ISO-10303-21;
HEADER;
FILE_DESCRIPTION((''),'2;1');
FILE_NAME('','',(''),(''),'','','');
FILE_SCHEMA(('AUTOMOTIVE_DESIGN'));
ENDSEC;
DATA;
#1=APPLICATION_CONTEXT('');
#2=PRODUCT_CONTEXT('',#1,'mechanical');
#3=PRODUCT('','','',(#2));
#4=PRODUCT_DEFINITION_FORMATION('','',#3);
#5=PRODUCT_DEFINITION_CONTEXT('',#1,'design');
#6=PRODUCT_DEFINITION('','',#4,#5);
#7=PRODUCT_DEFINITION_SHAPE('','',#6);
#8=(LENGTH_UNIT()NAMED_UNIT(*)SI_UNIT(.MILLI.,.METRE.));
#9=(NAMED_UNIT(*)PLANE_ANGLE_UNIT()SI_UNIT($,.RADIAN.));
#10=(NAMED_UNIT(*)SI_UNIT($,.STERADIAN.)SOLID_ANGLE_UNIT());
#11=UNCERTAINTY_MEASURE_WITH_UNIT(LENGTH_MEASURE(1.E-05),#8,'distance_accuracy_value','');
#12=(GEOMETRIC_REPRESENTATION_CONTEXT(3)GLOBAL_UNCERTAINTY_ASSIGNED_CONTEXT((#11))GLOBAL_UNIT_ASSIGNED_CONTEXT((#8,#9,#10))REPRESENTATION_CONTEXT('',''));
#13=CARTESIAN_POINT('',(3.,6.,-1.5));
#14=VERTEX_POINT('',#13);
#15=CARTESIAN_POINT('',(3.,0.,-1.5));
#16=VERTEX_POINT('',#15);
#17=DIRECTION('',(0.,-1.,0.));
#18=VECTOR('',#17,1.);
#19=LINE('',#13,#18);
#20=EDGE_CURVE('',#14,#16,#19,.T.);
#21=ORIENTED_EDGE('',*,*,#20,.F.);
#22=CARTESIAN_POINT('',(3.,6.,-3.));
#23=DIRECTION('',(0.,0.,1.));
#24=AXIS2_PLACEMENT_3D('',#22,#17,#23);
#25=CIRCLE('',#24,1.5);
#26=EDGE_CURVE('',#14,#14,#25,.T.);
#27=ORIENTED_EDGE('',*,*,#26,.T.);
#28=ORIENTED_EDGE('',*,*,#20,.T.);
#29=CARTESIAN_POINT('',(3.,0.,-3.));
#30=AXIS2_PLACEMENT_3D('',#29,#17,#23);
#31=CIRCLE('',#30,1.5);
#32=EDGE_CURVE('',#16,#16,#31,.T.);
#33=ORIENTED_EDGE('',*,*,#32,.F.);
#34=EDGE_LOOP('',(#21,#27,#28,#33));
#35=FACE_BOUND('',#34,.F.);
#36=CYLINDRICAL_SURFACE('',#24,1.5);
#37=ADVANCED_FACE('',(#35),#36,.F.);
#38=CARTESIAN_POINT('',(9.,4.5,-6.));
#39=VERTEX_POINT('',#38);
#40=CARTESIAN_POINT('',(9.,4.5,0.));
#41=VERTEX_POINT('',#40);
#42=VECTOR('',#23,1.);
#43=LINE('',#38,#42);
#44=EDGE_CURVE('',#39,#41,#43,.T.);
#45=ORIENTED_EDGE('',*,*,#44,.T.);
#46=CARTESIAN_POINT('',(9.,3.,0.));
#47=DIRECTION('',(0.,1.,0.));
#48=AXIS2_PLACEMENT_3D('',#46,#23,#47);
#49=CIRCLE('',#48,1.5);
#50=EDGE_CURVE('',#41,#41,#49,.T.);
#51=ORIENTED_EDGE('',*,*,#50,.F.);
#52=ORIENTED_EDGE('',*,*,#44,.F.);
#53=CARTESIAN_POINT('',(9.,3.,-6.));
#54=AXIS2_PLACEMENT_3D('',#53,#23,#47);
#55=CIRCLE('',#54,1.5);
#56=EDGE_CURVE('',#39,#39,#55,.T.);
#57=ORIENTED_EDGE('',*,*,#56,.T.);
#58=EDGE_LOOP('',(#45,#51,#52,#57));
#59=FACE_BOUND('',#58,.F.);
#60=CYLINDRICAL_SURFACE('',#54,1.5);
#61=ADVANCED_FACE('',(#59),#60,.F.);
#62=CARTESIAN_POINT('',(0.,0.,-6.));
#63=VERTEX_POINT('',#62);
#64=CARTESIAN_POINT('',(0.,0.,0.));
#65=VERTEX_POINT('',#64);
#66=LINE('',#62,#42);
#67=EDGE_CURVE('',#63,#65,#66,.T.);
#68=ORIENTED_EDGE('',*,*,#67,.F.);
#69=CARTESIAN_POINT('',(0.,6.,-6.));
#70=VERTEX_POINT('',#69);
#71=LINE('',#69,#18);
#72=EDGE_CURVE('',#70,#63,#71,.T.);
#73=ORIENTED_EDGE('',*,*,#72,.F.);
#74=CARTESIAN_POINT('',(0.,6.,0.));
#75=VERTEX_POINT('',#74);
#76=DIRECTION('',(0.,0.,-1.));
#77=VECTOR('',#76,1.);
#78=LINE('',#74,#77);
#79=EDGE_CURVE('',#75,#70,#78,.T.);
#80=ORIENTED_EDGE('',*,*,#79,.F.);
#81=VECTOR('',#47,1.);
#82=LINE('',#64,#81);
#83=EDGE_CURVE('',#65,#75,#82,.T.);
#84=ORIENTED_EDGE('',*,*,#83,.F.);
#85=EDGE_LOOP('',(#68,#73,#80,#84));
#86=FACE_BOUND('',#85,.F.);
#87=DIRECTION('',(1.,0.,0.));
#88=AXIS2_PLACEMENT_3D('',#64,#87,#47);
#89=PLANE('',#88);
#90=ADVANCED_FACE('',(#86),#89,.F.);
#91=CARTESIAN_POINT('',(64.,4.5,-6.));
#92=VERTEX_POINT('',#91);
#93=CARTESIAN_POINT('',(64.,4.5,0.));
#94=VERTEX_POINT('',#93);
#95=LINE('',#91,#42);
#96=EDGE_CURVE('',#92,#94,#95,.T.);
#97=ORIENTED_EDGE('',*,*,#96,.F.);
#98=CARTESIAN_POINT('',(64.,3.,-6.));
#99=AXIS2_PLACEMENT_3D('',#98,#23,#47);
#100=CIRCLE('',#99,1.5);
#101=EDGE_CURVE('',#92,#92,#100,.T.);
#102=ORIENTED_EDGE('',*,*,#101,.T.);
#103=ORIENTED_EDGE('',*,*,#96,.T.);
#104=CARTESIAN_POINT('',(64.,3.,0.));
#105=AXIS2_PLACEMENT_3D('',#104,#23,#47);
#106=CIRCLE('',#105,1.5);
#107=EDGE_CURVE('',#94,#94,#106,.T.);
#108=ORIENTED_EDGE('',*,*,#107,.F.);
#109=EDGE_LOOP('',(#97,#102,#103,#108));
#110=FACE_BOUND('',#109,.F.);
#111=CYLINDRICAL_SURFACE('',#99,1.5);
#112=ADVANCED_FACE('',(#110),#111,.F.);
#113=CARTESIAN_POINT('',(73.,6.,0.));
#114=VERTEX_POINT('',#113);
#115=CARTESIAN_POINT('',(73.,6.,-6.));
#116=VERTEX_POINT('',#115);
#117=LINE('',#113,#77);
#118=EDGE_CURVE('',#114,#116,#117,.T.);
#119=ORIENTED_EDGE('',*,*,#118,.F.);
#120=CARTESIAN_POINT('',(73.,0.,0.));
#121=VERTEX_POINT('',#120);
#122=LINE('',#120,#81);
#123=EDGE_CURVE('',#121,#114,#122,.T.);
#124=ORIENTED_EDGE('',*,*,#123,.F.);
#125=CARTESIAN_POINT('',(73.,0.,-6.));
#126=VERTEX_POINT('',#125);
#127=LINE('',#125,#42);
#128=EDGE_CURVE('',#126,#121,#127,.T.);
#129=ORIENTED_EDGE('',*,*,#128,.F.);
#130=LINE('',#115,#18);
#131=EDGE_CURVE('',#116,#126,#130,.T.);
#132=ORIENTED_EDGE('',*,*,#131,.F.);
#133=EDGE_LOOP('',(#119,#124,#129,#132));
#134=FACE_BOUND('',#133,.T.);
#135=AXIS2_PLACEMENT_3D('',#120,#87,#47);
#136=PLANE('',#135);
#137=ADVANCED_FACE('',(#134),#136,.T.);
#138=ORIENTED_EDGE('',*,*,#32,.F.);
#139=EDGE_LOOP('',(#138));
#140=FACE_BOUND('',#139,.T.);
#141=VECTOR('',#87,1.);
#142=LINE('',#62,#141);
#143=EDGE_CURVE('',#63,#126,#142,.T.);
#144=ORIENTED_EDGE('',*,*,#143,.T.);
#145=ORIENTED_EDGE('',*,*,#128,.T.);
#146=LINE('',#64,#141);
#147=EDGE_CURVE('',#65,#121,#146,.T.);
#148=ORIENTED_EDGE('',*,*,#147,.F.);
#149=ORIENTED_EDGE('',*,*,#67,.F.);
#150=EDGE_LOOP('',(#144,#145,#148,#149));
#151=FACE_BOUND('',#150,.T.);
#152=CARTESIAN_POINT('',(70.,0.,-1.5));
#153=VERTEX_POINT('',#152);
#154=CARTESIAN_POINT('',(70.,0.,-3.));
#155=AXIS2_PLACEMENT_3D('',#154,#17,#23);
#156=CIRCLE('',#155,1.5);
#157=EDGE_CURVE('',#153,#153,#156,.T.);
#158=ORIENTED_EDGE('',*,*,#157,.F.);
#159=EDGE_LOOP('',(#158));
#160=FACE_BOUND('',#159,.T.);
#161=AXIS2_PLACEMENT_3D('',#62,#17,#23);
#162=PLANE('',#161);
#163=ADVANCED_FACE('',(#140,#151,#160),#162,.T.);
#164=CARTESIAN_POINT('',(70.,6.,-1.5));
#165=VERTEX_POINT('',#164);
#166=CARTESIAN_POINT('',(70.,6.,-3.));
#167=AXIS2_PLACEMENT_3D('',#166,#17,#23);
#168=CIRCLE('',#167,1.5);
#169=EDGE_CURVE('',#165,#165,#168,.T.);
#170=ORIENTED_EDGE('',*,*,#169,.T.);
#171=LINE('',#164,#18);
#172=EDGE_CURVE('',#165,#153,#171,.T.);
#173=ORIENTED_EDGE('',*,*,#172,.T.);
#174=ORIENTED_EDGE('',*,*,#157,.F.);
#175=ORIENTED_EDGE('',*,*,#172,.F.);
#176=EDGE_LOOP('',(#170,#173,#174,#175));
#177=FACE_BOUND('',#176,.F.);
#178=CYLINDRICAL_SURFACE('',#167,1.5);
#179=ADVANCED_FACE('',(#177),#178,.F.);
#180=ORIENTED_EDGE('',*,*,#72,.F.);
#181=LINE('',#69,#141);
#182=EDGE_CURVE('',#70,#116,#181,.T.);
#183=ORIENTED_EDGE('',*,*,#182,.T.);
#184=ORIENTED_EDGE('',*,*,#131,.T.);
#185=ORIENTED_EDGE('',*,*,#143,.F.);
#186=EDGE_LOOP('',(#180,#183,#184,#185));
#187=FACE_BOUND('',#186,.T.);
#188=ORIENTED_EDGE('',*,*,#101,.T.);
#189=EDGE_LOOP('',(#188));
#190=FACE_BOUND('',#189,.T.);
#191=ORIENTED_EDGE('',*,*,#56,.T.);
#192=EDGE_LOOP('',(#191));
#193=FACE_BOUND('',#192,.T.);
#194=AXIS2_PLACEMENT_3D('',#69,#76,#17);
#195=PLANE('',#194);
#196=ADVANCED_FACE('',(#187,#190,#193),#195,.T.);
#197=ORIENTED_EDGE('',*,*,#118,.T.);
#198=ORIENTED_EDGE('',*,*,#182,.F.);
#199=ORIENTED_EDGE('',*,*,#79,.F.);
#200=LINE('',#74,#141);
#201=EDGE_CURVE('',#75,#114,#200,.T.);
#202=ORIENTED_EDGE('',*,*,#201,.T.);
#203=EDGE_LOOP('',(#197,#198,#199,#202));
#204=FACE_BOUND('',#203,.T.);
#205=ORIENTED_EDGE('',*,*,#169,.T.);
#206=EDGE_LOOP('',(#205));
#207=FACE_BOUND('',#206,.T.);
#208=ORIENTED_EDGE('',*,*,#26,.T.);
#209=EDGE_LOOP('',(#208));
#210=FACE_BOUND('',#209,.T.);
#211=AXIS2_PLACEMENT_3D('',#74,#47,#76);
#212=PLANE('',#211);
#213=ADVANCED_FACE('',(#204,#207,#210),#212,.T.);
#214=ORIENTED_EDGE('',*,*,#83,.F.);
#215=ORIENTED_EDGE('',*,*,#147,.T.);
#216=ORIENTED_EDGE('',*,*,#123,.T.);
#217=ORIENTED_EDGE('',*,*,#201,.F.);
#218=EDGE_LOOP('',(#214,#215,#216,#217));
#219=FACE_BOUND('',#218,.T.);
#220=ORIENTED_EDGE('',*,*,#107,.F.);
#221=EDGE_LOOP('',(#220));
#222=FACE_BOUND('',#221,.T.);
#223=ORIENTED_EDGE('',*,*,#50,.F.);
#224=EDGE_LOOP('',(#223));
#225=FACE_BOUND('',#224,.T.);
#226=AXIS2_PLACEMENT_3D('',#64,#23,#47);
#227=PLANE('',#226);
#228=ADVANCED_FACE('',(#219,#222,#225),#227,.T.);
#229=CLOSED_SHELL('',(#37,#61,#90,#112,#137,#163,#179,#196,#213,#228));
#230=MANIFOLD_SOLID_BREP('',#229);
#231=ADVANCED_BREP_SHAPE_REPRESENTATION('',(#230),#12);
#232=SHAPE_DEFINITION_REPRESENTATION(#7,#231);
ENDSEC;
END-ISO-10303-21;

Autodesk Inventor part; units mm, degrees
ref_plane "YZ Plane" through (0, 0, 0) normal (1, 0, 0) x (0, 1, 0)
ref_plane "XZ Plane" through (0, 0, 0) normal (0, 1, 0) x (-1, 0, 0)
ref_plane "XY Plane" through (0, 0, 0) normal (0, 0, 1) x (1, 0, 0)
sketch "Sketch1" plane through (0, 0, 0) normal (1, 0, 0) x (0, 1, 0)
  line L0 (0, 0) -> (6, 0)
  line L1 (6, 0) -> (6, -6)
  line L2 (6, -6) -> (0, -6)
  line L3 (0, -6) -> (0, 0)
  dimension "d0" = 6
  dimension "d1" = 6
extrude "Extrusion1" add sketch "Sketch1" along normal blind 73
sketch "Sketch2" plane through (0, 6, 0) normal (0, 1, 0) x (1, 0, 0)
  line L0 (0, 6) -> (73, 6) construction
  line L1 (36.5, 6) -> (36.5, 0)
  line L2 (0, 0) -> (73, 0) construction
  line L3 (0, 6) -> (0, 0) construction
  line L4 (0, 3) -> (73, 3)
  line L5 (73, 0) -> (73, 6) construction
  point P0 (3, 3)
  point P1 (70, 3)
  dimension "d8" = 3
hole "Hole1" at (3, 6, -3) at (70, 6, -3) direction (0, -1, 0) diameter 3 end through all
sketch "Sketch3" plane through (0, 0, -6) normal (0, 0, -1) x (-1, 0, 0)
  line L0 (0, 6) -> (0, 0) construction
  line L1 (0, 6) -> (-73, 6) construction
  line L2 (-73, 0) -> (-73, 6) construction
  line L3 (0, 0) -> (-73, 0) construction
  line L4 (0, 3) -> (-73, 3) construction
  line L5 (0, 6) -> (-73, 6) construction
  line L6 (-36.5, 6) -> (-36.5, 0) construction
  line L7 (0, 0) -> (-73, 0) construction
  point P0 (-9, 3)
  point P1 (-64, 3)
  dimension "d16" = 9
hole "Hole2" at (9, 3, -6) at (64, 3, -6) direction (0, 0, 1) diameter 3 end through all
equation "\"d1\" = d0"
properties part number "transverse" material "Aluminum"
